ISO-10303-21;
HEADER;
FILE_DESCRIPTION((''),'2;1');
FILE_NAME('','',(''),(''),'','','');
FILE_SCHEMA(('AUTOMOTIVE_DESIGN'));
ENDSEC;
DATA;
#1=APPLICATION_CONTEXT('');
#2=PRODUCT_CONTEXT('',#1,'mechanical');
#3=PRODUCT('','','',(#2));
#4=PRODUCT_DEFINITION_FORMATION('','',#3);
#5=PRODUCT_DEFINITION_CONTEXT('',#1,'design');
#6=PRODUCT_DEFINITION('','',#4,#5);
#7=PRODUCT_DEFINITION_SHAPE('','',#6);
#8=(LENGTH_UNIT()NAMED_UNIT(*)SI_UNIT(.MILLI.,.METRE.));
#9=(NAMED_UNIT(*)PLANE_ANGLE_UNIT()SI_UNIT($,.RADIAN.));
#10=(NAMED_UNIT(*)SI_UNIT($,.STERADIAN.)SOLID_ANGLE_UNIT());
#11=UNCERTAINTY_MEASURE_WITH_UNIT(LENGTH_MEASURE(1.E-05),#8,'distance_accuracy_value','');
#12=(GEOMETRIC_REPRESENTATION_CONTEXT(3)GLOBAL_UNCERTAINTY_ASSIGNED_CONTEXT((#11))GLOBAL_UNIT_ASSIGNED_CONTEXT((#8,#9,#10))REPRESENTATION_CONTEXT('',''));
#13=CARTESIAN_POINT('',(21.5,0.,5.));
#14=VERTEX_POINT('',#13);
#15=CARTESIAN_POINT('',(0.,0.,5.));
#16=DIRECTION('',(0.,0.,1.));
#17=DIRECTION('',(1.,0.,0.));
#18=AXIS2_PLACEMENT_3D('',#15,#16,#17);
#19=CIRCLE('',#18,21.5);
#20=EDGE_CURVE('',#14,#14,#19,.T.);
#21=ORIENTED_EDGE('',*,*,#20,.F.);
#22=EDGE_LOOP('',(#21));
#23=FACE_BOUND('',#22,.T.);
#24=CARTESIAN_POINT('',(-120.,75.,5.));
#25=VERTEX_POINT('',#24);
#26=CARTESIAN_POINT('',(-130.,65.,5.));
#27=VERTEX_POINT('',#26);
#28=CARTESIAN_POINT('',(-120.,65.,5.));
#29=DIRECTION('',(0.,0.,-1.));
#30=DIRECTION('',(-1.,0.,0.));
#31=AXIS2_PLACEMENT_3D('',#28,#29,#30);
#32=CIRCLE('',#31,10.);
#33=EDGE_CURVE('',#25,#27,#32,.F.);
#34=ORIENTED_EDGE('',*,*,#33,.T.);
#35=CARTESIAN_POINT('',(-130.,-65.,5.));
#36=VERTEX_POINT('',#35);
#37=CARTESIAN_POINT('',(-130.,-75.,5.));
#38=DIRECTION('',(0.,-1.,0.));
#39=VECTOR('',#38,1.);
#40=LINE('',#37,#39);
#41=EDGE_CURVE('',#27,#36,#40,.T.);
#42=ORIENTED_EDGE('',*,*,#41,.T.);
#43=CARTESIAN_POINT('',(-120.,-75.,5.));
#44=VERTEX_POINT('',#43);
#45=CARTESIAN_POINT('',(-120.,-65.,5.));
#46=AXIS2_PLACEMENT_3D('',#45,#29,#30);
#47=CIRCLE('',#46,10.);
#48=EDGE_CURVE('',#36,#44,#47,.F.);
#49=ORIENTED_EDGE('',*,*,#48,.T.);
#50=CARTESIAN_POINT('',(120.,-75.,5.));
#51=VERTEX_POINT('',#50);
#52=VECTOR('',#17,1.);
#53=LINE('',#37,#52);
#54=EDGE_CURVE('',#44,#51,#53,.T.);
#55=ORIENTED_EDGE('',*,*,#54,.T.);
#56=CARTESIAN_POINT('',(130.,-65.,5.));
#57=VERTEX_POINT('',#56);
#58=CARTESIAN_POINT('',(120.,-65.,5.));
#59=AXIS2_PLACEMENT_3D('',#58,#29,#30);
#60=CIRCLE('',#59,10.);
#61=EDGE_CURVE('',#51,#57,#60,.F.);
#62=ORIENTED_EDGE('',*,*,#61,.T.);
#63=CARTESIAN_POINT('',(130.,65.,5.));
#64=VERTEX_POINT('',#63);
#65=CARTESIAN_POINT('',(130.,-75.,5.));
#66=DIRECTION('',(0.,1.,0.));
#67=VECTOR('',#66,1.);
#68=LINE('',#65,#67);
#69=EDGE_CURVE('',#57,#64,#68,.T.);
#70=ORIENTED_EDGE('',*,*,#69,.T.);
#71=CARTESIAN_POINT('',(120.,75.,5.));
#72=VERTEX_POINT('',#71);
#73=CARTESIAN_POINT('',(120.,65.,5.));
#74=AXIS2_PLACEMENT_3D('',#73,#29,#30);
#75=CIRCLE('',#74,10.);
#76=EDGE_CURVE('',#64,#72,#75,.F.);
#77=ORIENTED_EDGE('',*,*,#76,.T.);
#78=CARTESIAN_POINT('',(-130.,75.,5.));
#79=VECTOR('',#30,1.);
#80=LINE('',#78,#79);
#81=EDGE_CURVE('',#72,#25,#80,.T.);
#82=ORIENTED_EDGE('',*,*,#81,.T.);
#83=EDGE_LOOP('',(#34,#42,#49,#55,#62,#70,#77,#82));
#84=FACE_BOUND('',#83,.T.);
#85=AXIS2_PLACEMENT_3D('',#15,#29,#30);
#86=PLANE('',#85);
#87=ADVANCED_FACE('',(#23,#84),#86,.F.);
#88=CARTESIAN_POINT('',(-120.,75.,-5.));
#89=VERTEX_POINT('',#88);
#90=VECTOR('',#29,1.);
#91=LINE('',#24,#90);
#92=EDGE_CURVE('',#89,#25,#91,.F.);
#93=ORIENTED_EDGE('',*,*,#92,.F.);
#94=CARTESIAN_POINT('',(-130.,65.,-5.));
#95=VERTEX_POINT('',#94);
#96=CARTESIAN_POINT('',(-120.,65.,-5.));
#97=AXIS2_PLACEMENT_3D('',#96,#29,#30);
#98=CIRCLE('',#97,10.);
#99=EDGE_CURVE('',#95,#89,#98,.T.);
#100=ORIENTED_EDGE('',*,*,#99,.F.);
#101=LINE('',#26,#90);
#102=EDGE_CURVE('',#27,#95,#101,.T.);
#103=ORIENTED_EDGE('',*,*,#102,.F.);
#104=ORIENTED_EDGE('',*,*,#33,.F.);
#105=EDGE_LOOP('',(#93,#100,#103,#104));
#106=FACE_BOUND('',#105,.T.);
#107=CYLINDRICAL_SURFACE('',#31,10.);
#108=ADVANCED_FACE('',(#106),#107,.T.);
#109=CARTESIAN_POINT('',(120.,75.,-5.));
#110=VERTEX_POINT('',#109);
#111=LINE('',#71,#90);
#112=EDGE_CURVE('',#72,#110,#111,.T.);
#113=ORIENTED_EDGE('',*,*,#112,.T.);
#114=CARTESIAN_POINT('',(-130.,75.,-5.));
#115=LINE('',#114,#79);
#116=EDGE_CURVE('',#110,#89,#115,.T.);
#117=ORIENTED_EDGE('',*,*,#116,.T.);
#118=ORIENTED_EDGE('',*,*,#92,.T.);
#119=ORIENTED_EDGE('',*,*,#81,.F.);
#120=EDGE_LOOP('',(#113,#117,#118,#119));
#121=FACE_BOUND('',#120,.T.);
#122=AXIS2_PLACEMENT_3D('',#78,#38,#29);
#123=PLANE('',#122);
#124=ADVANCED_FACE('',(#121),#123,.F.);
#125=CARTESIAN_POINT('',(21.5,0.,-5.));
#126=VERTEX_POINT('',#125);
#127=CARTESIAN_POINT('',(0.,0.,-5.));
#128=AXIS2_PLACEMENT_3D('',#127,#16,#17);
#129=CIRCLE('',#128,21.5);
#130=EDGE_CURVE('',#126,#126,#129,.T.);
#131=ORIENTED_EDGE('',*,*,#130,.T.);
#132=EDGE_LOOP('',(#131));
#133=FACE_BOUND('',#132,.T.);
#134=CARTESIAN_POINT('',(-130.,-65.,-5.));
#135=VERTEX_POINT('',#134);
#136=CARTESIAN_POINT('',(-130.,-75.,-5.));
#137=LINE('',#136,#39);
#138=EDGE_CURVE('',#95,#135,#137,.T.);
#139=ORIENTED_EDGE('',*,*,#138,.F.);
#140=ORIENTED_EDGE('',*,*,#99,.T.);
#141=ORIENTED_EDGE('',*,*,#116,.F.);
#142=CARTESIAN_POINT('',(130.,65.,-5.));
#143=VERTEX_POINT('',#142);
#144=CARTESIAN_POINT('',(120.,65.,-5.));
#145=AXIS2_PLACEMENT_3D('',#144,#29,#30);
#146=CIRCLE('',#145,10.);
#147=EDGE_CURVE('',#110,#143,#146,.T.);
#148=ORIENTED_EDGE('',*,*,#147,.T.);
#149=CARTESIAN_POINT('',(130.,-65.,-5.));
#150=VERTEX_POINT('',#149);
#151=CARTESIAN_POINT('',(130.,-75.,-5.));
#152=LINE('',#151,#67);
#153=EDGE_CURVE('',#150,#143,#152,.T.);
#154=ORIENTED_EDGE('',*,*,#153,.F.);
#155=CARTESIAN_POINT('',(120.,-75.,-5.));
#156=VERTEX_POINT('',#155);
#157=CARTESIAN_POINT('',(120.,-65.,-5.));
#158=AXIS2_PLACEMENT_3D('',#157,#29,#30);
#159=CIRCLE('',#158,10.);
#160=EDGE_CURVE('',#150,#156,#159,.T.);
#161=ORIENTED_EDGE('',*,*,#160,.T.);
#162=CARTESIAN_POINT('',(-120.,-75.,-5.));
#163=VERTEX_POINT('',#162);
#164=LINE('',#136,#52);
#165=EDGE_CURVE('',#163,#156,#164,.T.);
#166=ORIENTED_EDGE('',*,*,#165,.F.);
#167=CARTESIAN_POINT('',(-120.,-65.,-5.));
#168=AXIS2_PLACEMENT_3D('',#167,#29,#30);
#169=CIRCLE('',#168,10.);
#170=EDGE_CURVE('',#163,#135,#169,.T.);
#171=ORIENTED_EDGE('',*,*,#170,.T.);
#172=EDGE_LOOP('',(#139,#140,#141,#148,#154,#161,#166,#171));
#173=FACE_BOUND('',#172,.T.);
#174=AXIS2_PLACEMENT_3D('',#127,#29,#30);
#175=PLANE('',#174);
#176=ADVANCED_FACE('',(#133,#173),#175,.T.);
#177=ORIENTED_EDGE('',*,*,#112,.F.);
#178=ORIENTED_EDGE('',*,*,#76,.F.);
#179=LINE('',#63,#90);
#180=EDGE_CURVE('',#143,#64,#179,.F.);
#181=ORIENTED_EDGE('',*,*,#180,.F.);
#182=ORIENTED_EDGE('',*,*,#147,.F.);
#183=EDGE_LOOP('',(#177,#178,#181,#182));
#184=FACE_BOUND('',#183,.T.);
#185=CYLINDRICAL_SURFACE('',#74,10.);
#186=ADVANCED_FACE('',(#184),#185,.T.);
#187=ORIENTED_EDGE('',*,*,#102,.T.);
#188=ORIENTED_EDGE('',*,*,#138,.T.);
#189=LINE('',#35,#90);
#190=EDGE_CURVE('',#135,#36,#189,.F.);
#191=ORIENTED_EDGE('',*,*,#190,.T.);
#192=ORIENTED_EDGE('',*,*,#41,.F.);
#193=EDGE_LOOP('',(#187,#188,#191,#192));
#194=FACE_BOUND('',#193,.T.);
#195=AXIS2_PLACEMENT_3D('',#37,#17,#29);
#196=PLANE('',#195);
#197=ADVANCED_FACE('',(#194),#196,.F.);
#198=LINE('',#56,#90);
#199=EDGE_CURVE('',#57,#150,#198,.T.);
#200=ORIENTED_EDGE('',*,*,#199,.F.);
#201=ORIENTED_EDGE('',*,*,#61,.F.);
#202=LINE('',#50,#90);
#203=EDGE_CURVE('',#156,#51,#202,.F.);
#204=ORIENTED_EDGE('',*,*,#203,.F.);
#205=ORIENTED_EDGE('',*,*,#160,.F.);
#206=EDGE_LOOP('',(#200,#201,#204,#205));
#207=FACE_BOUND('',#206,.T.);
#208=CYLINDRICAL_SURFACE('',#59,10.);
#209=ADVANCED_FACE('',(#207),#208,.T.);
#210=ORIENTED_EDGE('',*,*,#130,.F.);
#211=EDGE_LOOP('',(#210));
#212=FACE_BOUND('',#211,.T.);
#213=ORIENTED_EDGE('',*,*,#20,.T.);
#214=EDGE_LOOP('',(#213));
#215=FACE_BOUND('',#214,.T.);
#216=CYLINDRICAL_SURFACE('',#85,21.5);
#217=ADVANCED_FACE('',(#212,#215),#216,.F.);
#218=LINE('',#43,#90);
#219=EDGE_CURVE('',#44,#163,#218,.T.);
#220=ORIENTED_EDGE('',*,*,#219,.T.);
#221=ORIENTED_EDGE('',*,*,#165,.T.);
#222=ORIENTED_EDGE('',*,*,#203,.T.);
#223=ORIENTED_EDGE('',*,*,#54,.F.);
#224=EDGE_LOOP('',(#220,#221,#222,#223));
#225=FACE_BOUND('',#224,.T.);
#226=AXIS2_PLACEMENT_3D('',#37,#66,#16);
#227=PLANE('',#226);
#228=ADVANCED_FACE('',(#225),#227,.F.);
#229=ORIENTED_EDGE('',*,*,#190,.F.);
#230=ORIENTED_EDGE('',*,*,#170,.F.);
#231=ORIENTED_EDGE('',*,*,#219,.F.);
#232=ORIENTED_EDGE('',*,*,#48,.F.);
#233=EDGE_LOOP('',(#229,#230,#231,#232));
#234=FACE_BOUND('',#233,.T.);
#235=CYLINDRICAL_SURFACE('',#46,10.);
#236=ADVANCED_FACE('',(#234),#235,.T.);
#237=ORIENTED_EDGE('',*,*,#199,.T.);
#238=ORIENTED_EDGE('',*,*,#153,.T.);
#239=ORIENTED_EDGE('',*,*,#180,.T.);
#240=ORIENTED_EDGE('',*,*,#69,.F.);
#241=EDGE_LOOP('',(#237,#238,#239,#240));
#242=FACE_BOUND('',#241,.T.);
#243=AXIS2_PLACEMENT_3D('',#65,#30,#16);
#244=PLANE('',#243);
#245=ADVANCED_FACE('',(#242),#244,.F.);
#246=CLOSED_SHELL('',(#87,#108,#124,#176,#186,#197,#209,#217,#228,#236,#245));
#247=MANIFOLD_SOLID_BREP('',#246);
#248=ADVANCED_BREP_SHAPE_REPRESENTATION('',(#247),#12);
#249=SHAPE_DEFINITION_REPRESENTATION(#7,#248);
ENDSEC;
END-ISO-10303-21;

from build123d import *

# Parameters (mm, degrees)
SKETCH_1_W      = 260
SKETCH_1_H      = 150
SKETCH_1_R      = 21.5
EXTRUDE_1_DEPTH = 5
FILLET_1_R      = 10


with BuildPart() as part:
    # Эскиз1 → Бобышка-Вытянуть1 (new, symmetric)
    with BuildSketch(Plane.XY):
        Rectangle(SKETCH_1_W, SKETCH_1_H)
        Circle(SKETCH_1_R, mode=Mode.SUBTRACT)
    extrude(amount=EXTRUDE_1_DEPTH, both=True)

    # Скругление1
    fillet_1_edges = [part.edges().sort_by_distance(p)[0] for p in [
        (130, -75, 0),
        (-130, -75, 0),
        (-130, 75, 0),
        (130, 75, 0),
    ]]
    fillet(fillet_1_edges, radius=FILLET_1_R)


solid = part.part
